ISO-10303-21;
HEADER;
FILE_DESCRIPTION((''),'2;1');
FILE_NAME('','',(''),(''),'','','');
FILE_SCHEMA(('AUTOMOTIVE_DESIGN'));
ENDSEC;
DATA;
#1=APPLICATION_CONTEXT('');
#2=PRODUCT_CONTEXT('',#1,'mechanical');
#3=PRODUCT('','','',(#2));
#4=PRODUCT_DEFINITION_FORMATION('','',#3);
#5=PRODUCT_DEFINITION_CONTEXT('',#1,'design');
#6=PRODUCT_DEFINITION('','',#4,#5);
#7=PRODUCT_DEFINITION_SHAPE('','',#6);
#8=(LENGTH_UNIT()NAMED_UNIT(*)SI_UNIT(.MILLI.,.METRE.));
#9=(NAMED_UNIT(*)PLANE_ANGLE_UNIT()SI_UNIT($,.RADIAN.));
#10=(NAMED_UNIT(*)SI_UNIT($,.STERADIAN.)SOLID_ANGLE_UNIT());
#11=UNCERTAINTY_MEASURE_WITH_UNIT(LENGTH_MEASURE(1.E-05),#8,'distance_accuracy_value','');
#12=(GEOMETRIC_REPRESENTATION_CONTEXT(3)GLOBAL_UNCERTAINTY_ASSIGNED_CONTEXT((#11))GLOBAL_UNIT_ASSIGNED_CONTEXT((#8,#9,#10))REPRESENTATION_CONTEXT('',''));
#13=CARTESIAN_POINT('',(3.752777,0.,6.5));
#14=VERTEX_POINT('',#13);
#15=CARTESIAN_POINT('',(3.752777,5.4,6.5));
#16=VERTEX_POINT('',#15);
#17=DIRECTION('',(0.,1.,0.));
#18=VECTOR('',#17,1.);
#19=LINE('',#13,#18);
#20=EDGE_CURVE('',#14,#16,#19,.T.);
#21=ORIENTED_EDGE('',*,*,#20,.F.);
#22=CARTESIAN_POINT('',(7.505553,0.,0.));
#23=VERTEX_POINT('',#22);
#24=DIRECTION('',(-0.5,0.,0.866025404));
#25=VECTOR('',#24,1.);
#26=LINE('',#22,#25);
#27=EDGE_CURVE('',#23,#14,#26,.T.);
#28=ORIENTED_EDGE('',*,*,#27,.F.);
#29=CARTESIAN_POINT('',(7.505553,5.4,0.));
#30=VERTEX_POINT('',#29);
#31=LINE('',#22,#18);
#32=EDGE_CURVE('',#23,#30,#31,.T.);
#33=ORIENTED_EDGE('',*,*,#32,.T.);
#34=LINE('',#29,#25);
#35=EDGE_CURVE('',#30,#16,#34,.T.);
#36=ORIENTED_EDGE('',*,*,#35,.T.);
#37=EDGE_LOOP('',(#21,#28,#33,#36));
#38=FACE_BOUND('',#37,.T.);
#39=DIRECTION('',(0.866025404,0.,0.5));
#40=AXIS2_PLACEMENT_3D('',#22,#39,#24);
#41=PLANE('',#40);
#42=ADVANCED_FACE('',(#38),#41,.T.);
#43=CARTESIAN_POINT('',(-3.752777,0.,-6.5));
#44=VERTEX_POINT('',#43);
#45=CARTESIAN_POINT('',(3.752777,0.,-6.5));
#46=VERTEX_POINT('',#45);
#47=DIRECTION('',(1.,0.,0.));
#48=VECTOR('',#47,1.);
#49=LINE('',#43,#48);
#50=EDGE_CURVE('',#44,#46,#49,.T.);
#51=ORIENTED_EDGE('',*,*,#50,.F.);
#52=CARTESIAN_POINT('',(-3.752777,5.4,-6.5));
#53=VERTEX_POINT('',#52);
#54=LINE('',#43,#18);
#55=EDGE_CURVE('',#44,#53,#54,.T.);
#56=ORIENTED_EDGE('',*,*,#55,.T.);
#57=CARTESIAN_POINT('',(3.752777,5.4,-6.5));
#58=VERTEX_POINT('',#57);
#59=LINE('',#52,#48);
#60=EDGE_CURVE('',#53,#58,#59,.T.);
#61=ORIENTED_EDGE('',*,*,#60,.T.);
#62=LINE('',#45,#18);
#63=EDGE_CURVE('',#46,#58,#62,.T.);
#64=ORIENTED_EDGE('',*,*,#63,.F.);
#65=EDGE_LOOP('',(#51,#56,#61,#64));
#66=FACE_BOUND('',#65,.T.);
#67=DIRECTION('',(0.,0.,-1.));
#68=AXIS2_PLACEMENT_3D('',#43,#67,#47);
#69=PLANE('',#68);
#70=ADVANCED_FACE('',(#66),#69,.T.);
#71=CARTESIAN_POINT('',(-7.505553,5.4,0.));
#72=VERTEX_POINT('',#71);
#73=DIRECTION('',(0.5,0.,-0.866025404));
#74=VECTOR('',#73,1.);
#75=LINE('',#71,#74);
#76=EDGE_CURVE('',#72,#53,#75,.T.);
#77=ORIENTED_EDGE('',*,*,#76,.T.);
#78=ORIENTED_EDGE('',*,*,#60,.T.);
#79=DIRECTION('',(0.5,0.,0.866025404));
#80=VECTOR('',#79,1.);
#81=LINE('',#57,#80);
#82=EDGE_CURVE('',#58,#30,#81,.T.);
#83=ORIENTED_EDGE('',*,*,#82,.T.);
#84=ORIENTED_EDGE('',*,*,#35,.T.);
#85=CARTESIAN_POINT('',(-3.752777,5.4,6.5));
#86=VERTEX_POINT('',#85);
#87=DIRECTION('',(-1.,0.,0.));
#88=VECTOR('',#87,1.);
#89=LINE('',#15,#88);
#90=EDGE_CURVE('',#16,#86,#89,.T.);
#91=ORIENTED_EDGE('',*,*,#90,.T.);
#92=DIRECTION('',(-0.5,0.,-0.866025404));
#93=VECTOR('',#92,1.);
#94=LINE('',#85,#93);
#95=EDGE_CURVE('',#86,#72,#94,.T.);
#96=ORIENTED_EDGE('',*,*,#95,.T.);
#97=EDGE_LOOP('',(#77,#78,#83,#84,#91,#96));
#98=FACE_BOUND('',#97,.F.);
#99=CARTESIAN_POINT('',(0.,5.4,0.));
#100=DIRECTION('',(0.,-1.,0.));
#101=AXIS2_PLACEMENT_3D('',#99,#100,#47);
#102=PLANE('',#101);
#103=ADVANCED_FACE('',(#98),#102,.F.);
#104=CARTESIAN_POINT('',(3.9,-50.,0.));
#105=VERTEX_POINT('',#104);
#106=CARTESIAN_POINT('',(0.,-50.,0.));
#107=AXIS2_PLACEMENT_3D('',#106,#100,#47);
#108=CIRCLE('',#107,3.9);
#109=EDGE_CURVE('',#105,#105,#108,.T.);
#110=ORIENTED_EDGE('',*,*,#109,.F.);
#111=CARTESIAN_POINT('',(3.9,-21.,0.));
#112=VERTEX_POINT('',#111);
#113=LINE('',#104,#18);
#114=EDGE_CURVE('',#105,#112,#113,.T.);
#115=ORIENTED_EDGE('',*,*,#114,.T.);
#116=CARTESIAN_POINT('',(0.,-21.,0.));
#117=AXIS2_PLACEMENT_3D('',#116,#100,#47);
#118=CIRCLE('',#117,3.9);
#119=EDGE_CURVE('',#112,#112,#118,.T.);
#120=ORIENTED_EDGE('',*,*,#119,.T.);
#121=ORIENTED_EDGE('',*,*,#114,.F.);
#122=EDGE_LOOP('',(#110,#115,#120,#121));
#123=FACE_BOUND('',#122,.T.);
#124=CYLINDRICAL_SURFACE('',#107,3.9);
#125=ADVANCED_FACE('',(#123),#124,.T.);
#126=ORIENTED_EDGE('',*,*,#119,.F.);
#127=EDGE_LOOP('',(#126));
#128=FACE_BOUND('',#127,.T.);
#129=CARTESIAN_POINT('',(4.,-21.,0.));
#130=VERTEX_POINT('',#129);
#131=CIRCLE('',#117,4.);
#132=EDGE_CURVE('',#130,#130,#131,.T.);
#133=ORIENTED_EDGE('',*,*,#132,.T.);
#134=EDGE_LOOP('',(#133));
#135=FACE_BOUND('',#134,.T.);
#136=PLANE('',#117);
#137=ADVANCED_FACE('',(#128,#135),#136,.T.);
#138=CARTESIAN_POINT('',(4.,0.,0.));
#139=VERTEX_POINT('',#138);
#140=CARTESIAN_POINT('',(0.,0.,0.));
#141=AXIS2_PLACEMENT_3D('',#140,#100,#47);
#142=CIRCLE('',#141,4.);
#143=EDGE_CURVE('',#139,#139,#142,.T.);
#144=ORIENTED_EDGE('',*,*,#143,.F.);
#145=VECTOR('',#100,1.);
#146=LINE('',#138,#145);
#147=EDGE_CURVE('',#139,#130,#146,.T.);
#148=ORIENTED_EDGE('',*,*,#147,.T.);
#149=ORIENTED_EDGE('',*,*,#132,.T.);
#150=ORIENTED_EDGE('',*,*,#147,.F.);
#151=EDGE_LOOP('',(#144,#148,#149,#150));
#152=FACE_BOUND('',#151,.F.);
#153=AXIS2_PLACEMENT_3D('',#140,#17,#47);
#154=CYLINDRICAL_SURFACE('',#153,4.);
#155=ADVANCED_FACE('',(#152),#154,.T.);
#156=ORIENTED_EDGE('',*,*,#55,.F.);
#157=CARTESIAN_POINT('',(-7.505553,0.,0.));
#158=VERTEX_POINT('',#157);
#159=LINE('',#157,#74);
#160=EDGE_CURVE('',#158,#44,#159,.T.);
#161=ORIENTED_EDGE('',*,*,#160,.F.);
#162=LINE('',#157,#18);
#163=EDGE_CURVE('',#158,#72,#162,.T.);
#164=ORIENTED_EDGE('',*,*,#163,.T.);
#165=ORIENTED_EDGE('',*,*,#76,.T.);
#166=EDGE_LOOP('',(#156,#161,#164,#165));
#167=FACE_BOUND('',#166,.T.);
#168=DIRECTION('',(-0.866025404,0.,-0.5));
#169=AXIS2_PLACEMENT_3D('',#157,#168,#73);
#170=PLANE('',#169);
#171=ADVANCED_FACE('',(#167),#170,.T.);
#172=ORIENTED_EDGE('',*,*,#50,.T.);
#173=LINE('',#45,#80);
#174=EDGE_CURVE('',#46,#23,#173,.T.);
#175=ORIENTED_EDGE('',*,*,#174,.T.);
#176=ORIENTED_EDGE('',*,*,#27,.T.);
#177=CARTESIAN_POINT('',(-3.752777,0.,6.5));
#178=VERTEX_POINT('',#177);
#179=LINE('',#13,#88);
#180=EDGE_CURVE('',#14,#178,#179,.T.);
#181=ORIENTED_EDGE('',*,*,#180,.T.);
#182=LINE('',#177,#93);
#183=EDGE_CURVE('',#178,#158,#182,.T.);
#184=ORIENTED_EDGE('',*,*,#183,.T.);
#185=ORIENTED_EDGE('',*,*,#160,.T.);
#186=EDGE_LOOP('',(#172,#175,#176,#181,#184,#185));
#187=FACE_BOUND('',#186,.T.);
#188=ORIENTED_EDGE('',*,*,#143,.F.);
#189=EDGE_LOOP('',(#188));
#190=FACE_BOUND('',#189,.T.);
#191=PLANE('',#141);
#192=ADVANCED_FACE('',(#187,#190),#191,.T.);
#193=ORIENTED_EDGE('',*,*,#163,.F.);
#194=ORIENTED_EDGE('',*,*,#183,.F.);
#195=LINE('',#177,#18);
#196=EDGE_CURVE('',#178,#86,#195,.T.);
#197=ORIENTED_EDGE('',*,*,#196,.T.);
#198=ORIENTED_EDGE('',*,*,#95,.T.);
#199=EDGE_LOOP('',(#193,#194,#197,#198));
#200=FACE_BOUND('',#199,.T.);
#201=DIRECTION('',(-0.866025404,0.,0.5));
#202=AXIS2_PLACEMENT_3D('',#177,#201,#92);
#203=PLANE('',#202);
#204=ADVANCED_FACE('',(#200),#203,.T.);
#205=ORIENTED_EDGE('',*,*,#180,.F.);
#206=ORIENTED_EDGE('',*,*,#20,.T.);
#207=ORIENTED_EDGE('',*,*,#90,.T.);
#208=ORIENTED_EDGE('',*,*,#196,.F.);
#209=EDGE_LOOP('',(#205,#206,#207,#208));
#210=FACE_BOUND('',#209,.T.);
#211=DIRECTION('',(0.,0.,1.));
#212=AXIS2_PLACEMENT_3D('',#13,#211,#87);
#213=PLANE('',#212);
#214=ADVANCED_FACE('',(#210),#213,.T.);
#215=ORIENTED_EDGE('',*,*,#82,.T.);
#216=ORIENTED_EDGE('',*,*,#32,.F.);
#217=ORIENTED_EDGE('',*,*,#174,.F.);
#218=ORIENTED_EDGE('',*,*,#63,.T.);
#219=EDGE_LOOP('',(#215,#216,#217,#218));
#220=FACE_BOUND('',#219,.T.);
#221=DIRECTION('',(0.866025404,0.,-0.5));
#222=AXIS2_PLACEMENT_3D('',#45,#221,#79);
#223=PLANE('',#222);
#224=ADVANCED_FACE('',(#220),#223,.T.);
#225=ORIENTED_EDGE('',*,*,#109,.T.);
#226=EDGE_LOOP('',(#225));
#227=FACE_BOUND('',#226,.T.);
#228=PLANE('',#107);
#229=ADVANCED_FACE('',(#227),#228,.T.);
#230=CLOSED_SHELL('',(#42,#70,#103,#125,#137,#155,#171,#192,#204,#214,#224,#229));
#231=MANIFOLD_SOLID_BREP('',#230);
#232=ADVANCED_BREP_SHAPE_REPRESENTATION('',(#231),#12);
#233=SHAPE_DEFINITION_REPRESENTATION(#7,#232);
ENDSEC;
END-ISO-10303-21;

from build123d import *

# Parameters (mm, degrees)
F0_R     = 4
F1_DEPTH = 50
F2_DEPTH = 5.4
F3_R     = 4
F3_R_2   = 3.9
F4_DEPTH = 29


with BuildPart() as f1:
    # F0 (on Front) → F1 (new body)
    with BuildSketch(Plane.XZ):
        Circle(F0_R)
    extrude(amount=F1_DEPTH)

    # F0 (on Front) → F2 (join)
    with BuildSketch(Plane.XZ):
        Polygon((3.7527767497, 6.5), (-3.7527767497, 6.5), (-7.5055534995, 0), (-3.7527767497, -6.5), (3.7527767497, -6.5), (7.5055534995, 0), align=None)
        Circle(F0_R, mode=Mode.SUBTRACT)
        Circle(F0_R)
    extrude(amount=-F2_DEPTH)

    # F3 (on face) → F4 (cut)
    with BuildSketch(Plane.XZ.offset(50)):
        Circle(F3_R)
        Circle(F3_R_2, mode=Mode.SUBTRACT)
    extrude(amount=-F4_DEPTH, mode=Mode.SUBTRACT)


solid = f1.part
